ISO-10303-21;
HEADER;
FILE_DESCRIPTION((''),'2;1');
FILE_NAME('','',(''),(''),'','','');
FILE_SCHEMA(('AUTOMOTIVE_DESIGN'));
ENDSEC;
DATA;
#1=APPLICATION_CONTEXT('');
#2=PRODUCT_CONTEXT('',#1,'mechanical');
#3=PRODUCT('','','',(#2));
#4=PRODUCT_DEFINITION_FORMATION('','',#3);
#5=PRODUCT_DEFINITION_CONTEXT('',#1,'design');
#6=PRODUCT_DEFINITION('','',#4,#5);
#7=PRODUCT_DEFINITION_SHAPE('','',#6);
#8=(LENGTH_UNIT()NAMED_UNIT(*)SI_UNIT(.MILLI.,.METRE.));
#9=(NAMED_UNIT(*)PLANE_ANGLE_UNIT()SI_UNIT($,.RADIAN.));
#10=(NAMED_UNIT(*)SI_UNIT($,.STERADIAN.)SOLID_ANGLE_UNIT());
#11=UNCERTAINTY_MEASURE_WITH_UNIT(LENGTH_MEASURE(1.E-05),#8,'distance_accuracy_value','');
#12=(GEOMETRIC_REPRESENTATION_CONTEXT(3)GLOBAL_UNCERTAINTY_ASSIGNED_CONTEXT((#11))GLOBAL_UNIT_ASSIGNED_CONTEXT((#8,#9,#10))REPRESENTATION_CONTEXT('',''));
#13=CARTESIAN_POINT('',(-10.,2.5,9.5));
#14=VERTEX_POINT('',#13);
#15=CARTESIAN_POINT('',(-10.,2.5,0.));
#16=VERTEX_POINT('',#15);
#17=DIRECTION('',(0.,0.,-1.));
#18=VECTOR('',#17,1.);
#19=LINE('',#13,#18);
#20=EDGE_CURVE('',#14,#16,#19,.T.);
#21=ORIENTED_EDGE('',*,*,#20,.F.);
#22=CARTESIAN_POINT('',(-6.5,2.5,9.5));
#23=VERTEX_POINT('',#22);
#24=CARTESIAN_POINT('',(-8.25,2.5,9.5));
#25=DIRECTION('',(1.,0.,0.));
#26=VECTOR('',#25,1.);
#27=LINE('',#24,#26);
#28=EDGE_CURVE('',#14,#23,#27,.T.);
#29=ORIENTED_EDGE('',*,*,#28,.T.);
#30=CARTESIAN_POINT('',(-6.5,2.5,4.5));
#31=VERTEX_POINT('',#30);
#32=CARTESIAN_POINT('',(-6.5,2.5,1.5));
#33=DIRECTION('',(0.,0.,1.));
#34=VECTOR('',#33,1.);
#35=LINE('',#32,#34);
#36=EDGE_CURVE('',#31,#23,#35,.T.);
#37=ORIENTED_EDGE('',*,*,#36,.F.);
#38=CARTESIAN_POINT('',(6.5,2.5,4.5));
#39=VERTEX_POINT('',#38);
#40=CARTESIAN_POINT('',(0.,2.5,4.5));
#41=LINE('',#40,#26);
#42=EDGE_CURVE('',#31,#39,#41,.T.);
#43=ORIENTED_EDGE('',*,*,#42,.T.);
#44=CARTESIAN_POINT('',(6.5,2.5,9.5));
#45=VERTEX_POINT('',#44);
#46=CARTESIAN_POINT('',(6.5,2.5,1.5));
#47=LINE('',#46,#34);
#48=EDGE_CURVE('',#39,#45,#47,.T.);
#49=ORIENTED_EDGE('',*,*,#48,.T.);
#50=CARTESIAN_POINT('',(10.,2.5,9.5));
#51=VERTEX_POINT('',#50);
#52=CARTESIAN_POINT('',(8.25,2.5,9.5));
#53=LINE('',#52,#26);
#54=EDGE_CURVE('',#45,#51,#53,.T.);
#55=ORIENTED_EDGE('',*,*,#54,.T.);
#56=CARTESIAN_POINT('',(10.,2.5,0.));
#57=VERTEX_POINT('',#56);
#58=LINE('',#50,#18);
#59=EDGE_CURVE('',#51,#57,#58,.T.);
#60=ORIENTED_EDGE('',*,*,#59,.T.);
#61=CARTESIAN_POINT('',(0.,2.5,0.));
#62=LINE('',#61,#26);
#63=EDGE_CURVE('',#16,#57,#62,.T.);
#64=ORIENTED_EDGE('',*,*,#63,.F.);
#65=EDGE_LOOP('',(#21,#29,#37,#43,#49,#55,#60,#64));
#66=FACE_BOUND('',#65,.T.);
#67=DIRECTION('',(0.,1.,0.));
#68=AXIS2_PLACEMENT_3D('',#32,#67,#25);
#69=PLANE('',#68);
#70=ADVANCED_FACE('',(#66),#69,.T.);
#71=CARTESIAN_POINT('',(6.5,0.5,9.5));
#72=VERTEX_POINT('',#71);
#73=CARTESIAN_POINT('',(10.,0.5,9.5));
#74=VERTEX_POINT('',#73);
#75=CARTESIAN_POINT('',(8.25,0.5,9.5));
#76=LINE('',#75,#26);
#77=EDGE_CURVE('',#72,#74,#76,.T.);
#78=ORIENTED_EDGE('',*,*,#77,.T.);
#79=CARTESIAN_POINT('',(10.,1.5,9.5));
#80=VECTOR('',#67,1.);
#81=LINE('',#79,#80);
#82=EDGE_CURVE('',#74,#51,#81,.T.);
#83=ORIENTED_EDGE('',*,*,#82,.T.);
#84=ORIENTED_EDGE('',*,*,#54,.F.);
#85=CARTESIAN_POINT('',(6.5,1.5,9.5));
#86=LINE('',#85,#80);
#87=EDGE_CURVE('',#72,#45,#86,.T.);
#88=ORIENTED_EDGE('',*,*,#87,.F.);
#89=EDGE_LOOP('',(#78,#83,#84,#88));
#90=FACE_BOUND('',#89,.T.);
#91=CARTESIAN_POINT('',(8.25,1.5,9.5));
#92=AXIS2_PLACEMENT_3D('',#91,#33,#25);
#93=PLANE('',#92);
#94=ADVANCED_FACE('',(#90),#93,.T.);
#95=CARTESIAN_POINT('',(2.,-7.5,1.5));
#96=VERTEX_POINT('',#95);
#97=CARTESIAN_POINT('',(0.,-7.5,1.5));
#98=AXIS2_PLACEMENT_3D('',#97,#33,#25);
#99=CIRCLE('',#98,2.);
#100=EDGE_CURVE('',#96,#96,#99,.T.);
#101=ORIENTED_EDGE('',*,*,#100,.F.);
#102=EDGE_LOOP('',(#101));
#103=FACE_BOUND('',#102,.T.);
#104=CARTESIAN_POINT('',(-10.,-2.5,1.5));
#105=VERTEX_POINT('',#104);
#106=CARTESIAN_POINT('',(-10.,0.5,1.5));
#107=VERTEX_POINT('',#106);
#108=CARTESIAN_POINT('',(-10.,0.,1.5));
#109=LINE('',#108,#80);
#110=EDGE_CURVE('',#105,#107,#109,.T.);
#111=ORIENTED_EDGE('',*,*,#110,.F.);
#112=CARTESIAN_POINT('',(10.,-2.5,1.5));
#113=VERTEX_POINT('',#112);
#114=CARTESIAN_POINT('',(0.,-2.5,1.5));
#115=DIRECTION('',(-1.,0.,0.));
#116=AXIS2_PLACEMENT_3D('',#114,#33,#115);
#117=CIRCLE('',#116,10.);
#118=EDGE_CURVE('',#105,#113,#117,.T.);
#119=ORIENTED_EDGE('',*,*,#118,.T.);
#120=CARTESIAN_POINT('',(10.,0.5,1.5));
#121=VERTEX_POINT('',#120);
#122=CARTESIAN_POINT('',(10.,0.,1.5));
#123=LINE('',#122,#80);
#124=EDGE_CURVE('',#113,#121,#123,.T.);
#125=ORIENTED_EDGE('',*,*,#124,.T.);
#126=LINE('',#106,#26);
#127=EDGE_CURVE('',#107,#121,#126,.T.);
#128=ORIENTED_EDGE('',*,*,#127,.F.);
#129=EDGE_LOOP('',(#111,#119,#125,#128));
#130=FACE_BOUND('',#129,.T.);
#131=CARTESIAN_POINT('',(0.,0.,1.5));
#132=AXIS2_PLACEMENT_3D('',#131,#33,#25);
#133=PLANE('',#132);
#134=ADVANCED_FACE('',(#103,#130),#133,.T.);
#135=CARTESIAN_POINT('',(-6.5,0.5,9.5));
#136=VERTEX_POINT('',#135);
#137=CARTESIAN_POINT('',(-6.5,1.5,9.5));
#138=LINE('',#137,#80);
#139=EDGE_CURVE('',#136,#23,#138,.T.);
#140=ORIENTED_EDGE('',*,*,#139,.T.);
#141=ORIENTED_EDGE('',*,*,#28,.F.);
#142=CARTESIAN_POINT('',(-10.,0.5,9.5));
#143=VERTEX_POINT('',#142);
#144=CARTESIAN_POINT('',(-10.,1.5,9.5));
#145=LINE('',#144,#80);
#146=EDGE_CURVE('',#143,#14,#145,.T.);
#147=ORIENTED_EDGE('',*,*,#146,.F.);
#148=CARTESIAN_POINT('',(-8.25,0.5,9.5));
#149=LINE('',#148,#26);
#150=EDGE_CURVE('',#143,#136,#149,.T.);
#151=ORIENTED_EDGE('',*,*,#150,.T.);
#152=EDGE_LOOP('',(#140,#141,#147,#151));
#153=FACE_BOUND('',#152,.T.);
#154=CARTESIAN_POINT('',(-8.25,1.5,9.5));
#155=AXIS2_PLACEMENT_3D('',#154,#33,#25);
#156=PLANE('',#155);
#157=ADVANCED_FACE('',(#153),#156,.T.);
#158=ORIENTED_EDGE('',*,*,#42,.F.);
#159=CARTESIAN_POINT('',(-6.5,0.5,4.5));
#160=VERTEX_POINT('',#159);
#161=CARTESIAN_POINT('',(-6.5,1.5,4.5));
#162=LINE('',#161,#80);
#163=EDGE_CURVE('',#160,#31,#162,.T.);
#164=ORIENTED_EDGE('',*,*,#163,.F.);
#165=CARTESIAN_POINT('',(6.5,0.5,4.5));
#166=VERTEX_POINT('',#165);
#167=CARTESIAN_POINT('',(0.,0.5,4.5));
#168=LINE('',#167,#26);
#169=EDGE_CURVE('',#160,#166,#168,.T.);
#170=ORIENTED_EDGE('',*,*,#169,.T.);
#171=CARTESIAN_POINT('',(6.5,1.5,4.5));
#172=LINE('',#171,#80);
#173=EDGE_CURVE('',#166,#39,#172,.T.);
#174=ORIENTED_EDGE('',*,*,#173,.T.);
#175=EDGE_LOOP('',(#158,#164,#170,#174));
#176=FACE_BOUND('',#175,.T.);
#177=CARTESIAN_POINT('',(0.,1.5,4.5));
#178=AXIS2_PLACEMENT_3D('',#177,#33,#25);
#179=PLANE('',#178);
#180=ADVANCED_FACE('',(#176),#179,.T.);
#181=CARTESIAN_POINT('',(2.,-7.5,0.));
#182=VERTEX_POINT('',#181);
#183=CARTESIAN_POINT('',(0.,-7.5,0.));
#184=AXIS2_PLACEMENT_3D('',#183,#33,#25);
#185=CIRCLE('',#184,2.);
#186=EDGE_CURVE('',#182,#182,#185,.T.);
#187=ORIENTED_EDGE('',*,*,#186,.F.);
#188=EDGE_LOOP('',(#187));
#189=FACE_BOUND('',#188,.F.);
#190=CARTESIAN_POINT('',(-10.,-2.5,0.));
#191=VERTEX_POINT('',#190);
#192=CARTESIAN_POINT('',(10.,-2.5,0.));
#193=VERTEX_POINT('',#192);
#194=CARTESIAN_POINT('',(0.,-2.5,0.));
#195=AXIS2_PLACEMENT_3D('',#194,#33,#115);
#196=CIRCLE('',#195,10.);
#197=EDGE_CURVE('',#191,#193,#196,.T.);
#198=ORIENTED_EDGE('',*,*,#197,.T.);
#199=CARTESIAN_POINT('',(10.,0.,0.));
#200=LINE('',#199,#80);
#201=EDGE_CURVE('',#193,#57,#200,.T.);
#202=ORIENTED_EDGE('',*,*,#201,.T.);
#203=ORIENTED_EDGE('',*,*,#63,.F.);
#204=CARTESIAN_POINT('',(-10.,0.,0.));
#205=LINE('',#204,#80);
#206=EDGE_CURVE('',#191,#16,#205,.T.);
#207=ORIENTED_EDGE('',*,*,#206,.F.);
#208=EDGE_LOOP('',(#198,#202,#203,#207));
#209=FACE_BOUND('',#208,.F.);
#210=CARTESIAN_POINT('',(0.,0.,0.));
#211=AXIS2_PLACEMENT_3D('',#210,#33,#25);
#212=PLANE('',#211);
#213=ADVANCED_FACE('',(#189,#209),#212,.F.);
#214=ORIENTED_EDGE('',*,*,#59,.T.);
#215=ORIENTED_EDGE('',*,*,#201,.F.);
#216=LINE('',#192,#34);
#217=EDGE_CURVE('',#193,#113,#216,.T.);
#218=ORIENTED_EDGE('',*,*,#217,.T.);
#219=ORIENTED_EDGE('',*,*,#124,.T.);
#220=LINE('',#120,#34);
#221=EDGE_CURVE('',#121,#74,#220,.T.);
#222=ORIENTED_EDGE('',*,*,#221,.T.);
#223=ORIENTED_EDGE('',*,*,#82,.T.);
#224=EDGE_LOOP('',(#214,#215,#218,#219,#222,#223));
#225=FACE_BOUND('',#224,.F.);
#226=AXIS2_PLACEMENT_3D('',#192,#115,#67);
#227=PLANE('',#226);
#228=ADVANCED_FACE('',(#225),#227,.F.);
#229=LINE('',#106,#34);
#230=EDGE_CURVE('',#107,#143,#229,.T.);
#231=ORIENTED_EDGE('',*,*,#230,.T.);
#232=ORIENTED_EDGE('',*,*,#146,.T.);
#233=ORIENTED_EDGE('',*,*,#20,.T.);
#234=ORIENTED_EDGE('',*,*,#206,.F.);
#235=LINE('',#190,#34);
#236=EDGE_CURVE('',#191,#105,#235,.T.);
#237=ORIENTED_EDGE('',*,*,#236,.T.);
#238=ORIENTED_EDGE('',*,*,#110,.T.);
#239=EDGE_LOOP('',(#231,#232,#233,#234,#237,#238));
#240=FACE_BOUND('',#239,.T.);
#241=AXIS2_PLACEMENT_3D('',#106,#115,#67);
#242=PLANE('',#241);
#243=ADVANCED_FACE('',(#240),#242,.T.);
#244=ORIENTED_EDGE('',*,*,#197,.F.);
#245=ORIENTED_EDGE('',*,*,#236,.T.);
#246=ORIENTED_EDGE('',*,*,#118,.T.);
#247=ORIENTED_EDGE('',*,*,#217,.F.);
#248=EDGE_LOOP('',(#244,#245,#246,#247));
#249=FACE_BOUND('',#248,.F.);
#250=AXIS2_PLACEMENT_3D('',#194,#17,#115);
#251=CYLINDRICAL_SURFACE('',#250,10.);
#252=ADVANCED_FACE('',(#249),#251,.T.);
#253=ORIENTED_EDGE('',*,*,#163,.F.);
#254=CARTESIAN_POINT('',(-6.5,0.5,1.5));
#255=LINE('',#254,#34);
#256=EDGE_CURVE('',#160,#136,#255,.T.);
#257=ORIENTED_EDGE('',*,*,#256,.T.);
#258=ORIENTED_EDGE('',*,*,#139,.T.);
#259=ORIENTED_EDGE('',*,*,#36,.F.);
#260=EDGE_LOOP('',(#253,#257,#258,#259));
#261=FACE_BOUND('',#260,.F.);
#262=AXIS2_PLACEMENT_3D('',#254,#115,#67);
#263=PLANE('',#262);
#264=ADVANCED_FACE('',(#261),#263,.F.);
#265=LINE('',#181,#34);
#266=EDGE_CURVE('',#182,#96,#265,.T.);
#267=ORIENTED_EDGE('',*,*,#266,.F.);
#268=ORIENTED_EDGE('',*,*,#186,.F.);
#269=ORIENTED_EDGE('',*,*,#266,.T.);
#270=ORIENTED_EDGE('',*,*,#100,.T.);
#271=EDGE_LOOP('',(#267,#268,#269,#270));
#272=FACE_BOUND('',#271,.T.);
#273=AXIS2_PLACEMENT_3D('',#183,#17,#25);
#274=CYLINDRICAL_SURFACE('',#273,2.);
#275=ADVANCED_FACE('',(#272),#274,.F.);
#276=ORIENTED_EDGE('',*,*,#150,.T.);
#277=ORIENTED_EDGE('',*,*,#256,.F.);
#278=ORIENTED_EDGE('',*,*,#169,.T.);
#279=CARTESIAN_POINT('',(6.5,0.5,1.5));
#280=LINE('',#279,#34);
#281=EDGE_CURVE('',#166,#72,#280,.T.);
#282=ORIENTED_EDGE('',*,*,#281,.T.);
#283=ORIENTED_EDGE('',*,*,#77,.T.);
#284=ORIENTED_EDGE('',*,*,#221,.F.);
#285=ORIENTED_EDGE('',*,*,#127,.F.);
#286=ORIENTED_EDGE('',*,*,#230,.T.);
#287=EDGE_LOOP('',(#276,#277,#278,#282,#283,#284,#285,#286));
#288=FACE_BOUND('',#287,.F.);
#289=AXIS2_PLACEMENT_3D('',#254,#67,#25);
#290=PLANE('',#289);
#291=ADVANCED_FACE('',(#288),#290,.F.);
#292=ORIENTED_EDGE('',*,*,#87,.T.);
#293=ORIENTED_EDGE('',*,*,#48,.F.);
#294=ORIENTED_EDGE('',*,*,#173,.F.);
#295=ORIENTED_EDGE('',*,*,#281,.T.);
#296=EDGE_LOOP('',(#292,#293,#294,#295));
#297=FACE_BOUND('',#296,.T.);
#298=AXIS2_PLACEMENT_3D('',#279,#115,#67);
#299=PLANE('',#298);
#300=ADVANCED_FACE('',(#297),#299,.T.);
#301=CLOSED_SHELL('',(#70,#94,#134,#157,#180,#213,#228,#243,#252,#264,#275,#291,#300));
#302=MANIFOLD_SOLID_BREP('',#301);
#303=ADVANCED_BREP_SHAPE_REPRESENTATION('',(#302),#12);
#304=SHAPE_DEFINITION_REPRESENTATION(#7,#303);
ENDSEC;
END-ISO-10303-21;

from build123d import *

# Parameters (mm, degrees)
F0_W     = 20
F0_H     = 5
F0_R     = 2
F1_DEPTH = 1.5
F2_W     = 3.5
F2_H     = 2
F3_DEPTH = 8
F4_W     = 13
F4_H     = 2
F5_DEPTH = 3


with BuildPart() as f1:
    # F0 (on Top) → F1 (new body)
    with BuildSketch(Plane.XY):
        Rectangle(F0_W, F0_H)
        with BuildLine():
            ThreePointArc((-10, -2.5), (0, -12.5), (10, -2.5))
            Line((10, -2.5), (-10, -2.5))
        make_face()
        with Locations((0, -7.5)):
            Circle(F0_R, mode=Mode.SUBTRACT)
    extrude(amount=F1_DEPTH)

    # F2 (on face) → F3 (join)
    with BuildSketch(Plane.XY.offset(1.5)):
        with Locations((-8.25, 1.5)):
            Rectangle(F2_W, F2_H)
        with Locations((8.25, 1.5)):
            Rectangle(F2_W, F2_H)
    extrude(amount=F3_DEPTH)

    # F4 (on face) → F5 (join)
    with BuildSketch(Plane.XY.offset(1.5)):
        with Locations((0, 1.5)):
            Rectangle(F4_W, F4_H)
    extrude(amount=F5_DEPTH)


solid = f1.part
